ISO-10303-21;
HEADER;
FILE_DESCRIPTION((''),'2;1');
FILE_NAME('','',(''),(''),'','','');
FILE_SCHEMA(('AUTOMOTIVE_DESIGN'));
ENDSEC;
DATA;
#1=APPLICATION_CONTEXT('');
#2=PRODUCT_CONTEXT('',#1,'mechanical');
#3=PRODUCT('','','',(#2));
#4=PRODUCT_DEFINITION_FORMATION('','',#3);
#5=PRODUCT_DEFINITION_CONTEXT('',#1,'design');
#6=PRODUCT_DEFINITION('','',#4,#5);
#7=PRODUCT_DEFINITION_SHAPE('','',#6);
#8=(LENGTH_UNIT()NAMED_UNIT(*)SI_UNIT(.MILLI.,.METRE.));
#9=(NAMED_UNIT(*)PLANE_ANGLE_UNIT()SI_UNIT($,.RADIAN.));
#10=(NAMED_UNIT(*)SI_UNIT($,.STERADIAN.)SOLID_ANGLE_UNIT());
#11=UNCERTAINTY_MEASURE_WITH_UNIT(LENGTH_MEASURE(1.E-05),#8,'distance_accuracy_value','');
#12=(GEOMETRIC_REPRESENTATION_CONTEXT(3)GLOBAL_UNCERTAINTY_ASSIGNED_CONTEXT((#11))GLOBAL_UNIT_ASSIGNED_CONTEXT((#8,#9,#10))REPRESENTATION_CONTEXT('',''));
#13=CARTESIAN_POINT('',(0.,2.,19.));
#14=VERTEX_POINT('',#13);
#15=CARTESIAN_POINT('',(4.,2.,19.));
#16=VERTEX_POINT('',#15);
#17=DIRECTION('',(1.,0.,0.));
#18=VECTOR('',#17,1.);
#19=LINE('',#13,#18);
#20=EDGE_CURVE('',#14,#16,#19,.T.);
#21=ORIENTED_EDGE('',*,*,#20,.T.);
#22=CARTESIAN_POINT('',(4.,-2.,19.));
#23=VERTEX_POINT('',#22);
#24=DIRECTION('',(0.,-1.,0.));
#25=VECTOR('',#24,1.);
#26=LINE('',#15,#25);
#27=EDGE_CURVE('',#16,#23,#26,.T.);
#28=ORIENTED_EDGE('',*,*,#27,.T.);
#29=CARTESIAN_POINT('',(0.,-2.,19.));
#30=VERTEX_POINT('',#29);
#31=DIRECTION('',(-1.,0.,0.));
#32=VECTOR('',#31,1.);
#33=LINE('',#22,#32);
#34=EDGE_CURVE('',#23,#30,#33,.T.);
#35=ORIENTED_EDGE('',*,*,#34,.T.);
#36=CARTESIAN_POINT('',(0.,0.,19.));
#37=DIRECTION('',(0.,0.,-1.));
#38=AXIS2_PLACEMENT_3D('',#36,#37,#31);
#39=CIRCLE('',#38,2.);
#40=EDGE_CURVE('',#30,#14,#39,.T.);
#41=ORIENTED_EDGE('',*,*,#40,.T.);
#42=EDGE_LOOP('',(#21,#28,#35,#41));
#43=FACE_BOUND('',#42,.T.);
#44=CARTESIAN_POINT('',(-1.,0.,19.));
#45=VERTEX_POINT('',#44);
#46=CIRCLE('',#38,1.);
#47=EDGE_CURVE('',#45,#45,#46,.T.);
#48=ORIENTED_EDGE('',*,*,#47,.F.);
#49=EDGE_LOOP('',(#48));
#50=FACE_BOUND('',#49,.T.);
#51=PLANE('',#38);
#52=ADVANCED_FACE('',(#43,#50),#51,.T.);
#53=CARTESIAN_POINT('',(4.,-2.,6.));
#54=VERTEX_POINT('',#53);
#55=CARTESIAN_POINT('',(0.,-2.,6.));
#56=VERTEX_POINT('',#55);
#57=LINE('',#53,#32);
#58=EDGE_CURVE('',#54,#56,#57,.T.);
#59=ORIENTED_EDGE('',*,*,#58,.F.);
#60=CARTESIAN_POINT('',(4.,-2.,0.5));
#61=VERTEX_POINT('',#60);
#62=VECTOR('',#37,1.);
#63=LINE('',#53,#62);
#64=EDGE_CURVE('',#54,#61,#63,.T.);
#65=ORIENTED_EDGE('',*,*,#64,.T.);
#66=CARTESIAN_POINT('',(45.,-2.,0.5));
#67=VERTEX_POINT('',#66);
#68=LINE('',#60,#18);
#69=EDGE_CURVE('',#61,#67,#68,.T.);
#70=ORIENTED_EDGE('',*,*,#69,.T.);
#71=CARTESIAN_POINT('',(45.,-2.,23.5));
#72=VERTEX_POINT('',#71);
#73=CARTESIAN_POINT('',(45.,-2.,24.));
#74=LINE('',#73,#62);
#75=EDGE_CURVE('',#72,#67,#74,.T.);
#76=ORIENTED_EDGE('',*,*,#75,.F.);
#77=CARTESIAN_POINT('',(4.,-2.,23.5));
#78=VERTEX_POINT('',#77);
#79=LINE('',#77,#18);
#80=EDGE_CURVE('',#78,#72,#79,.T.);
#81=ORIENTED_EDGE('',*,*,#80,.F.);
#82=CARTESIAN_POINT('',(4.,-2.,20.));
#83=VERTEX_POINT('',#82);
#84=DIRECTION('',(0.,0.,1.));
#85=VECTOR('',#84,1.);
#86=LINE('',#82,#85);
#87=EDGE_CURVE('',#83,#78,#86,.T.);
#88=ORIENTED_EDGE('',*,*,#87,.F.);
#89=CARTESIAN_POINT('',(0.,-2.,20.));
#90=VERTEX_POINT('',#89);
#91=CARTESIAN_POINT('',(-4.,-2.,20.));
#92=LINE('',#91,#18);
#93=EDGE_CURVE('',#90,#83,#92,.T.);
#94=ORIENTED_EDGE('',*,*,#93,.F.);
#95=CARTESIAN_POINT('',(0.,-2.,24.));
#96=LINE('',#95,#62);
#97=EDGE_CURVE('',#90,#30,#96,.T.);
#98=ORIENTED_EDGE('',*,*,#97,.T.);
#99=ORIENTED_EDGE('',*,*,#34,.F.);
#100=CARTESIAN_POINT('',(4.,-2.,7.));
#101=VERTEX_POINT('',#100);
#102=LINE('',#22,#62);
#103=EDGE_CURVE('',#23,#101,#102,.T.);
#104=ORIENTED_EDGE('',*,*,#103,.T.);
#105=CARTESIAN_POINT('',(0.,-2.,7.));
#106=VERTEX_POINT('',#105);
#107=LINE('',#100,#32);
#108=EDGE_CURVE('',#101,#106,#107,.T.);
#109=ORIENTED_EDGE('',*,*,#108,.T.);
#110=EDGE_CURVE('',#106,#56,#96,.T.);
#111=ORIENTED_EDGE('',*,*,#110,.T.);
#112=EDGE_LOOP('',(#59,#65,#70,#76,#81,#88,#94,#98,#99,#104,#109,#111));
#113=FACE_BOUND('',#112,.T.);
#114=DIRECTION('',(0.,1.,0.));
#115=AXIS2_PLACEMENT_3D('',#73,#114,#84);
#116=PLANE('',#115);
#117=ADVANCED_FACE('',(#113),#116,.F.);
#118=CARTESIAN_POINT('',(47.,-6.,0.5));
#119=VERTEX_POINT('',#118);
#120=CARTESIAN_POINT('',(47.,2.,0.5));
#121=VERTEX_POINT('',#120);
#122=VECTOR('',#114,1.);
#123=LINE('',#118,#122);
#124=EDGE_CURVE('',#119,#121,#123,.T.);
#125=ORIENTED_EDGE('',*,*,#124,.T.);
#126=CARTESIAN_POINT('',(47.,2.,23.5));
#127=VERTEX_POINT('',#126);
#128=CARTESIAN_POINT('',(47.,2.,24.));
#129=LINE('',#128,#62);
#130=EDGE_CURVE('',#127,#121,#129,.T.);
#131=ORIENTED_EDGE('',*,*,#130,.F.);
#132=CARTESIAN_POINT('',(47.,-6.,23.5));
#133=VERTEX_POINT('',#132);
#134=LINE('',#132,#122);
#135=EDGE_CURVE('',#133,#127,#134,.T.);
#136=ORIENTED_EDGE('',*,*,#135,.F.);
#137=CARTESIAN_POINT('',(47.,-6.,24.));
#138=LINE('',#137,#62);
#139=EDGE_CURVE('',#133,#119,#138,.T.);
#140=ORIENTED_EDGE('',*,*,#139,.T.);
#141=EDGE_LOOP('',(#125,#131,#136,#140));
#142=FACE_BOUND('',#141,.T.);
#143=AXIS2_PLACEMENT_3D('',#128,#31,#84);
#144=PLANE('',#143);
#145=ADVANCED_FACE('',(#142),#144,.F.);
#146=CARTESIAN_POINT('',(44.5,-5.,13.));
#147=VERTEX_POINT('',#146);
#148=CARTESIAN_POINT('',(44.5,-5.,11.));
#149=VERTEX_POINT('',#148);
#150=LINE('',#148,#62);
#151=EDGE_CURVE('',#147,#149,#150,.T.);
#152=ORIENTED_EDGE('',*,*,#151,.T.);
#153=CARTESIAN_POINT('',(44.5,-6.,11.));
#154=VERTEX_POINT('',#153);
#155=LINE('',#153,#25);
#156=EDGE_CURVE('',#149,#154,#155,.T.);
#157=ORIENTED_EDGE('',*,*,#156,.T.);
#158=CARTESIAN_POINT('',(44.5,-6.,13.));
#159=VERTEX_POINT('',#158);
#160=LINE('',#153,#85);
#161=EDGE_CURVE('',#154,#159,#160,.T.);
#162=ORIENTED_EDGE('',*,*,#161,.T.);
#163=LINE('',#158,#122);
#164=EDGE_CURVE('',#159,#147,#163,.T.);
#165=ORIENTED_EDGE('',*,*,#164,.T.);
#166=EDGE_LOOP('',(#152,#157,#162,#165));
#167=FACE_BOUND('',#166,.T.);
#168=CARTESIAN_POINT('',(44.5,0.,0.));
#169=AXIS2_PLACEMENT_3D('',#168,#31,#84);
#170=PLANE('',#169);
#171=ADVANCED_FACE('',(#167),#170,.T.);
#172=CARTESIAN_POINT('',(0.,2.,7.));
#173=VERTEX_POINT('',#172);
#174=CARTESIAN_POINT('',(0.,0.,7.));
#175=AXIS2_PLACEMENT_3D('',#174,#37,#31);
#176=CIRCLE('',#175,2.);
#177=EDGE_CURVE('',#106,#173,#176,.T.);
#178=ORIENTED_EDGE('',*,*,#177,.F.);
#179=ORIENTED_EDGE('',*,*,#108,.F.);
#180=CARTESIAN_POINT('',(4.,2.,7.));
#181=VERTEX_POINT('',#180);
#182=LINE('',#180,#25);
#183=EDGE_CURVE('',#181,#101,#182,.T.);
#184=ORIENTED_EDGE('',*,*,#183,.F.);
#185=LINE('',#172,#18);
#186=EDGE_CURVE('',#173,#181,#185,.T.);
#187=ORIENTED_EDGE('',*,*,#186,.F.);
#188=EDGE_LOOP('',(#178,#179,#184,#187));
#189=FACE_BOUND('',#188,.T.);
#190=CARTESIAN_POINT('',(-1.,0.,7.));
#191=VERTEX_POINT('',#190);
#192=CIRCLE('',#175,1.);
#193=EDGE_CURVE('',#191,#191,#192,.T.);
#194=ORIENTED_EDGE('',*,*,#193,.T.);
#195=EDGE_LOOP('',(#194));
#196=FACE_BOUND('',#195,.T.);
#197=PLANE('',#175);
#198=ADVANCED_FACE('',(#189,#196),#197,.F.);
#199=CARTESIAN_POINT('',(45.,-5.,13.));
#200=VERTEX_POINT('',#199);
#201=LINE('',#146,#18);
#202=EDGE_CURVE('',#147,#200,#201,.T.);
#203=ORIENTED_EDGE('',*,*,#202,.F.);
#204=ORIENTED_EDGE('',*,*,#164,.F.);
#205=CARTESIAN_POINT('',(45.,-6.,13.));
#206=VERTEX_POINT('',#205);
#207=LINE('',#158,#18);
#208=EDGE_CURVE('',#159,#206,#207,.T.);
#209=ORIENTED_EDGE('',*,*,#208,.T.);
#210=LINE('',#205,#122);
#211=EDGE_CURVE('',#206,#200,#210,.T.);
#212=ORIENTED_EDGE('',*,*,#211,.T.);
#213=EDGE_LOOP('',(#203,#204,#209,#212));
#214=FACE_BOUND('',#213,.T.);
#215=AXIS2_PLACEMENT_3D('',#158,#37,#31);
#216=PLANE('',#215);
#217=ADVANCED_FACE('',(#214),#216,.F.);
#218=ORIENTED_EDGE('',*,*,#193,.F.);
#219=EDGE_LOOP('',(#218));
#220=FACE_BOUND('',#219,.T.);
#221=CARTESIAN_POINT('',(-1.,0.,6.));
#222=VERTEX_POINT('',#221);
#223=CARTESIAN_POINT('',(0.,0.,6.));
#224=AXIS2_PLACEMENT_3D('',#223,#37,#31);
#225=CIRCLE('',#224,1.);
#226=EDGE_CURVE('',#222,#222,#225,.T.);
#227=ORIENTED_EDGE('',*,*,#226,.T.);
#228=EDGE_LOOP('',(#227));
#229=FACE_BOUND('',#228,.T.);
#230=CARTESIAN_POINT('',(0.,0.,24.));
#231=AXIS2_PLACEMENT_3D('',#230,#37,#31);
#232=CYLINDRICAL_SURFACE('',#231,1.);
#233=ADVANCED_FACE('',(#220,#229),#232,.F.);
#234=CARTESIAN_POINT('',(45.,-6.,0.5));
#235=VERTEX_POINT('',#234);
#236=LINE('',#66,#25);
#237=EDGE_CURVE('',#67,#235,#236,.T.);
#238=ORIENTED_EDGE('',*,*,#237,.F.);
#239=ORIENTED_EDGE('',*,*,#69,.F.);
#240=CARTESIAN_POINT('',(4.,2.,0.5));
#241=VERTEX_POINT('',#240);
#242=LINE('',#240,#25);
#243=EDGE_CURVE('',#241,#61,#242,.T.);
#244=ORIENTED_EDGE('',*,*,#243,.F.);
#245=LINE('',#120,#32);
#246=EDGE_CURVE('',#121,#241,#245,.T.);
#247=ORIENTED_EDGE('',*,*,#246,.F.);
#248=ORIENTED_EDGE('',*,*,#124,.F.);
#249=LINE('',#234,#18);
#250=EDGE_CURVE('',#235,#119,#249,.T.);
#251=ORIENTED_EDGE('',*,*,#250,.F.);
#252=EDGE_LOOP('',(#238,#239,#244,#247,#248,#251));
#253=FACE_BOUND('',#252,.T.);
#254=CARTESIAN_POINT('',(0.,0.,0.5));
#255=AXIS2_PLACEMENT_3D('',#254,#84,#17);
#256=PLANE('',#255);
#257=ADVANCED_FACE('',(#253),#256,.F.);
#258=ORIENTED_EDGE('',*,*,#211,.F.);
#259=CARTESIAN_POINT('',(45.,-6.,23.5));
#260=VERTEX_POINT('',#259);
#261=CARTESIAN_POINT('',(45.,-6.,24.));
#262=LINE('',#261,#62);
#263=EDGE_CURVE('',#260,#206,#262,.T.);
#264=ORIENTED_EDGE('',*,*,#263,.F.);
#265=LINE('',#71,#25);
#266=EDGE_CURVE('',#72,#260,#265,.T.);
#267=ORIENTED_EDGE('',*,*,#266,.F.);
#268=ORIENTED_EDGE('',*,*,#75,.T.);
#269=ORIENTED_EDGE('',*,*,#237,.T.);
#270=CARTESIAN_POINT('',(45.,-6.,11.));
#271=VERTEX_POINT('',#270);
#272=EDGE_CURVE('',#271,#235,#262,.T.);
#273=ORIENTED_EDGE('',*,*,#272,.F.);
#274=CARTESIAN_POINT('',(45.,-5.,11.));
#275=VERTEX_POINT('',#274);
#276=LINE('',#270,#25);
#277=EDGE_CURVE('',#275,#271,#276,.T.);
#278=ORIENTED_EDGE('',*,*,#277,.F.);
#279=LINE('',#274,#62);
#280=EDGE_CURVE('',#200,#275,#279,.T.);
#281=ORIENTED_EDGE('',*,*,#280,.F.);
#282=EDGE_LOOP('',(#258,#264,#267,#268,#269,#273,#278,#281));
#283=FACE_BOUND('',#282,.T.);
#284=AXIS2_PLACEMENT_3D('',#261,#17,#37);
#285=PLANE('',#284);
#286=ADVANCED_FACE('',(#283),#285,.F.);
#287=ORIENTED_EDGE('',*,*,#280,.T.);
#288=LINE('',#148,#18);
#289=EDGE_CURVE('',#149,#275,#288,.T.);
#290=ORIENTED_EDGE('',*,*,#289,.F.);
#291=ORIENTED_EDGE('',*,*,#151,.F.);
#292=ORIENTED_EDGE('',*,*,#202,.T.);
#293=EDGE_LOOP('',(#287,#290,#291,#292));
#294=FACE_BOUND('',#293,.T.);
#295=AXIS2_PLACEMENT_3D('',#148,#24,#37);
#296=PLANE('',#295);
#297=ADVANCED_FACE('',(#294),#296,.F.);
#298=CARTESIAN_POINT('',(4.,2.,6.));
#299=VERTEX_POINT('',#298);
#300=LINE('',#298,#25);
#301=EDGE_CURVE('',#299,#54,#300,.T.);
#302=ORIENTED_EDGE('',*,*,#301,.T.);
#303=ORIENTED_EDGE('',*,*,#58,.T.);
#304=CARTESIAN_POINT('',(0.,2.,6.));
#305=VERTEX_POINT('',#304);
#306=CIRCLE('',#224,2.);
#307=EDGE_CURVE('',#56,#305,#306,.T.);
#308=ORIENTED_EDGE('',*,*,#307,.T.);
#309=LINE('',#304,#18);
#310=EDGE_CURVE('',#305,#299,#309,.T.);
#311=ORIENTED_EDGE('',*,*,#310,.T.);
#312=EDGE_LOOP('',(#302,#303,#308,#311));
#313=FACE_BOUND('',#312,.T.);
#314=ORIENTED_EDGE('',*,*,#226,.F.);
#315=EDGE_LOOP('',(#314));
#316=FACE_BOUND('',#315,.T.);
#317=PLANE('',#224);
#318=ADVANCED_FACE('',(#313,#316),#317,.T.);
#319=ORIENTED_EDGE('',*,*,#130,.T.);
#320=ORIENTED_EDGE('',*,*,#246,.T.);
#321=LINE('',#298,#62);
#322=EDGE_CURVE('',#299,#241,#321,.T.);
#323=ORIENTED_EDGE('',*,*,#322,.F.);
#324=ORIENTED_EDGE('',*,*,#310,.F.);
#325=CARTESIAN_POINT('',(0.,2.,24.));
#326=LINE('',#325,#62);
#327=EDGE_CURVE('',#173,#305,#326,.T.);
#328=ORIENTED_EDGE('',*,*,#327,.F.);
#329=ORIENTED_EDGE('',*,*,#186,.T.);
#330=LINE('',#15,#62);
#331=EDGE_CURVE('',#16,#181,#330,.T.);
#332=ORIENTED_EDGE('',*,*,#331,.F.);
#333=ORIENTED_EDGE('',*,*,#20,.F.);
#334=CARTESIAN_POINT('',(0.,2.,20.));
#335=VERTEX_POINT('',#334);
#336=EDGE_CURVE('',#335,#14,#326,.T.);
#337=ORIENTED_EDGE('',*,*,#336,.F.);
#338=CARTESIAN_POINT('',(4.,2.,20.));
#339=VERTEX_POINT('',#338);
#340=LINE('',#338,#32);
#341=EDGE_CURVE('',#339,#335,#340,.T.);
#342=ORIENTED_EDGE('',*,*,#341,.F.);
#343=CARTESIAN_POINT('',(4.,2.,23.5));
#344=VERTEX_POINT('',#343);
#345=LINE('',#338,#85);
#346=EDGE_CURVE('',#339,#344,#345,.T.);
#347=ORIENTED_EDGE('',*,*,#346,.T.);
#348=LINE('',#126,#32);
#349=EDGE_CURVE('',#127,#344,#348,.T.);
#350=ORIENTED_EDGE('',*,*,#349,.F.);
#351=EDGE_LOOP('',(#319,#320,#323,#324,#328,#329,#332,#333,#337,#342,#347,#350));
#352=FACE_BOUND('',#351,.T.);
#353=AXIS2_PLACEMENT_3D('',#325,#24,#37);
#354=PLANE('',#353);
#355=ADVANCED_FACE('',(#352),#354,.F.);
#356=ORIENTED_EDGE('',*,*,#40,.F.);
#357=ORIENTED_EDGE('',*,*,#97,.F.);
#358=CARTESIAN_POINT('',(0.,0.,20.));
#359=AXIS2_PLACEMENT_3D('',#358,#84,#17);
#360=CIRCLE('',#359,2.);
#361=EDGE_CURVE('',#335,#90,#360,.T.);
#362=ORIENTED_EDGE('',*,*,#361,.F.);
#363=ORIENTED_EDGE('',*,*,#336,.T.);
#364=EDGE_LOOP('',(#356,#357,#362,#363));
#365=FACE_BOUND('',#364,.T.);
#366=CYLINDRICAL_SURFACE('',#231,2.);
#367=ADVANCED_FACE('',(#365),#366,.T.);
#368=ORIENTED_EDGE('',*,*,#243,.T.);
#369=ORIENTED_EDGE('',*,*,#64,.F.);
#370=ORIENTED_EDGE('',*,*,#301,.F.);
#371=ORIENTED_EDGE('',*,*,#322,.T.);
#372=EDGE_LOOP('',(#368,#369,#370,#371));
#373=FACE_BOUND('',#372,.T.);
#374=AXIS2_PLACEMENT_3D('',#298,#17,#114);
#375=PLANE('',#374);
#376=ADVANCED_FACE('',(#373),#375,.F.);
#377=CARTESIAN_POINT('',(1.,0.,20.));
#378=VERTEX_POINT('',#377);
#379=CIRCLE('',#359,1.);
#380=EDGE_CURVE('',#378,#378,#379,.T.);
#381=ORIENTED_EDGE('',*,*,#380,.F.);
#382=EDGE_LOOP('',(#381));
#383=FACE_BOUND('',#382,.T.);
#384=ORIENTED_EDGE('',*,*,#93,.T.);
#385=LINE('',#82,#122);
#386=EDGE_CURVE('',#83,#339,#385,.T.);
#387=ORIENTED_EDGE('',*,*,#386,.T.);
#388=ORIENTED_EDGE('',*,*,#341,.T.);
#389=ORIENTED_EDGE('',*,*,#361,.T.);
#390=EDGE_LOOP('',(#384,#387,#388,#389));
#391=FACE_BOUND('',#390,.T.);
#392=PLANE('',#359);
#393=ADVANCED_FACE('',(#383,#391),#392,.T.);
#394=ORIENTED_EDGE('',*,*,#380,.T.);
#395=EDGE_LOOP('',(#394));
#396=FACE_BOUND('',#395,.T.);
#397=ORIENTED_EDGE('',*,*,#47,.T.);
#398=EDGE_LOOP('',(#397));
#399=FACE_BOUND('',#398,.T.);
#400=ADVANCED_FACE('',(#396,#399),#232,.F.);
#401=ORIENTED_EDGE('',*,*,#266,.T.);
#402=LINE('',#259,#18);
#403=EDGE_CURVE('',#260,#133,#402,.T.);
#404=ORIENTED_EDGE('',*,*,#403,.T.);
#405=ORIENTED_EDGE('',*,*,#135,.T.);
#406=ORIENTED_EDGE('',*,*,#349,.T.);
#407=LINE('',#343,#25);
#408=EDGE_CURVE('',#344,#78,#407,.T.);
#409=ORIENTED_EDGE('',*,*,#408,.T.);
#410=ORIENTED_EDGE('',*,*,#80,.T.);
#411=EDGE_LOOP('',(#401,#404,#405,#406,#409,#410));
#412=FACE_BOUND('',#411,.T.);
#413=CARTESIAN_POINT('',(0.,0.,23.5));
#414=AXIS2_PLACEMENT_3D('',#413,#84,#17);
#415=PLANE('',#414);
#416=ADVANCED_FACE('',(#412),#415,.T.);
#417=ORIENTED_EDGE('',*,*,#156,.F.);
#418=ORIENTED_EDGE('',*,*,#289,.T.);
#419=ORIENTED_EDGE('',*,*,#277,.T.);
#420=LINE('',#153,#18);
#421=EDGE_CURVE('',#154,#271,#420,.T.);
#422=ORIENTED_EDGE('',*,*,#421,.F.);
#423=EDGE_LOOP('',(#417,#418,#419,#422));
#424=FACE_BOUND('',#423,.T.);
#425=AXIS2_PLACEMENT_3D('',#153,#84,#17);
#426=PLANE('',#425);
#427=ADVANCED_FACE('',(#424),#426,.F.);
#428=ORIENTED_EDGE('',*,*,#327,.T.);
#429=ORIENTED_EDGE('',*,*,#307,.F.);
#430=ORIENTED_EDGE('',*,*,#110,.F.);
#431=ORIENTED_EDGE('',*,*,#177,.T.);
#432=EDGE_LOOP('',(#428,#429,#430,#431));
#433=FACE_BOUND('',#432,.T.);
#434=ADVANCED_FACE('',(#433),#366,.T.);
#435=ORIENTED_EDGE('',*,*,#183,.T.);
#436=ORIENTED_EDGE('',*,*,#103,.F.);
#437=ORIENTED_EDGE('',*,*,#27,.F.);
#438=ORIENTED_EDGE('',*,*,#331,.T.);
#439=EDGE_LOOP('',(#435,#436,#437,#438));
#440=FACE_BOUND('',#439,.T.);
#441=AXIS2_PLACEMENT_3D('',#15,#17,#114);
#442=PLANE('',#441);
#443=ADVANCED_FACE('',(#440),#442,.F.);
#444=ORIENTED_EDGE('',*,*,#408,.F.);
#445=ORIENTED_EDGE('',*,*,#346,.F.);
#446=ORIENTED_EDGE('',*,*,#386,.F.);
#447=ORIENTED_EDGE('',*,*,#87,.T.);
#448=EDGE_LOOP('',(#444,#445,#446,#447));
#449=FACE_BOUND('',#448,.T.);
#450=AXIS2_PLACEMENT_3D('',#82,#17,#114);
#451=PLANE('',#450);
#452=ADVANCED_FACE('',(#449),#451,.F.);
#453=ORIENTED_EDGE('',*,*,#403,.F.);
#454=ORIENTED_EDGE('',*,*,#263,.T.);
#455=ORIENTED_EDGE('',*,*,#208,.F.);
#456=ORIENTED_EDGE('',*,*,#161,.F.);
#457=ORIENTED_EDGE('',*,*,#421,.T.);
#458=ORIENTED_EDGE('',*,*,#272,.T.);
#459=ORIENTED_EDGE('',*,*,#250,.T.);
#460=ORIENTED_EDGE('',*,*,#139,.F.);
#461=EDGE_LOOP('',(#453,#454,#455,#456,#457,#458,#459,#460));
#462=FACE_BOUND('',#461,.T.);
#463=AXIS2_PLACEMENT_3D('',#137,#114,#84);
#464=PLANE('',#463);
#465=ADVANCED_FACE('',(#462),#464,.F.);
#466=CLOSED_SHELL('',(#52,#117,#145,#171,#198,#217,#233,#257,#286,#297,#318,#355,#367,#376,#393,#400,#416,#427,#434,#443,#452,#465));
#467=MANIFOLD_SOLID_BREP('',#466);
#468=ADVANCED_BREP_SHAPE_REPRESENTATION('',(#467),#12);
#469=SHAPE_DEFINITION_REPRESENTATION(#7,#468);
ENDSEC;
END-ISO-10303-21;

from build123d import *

# Parameters (mm, degrees)
SKETCH_1_R           = 1
EXTRUDE_1_DEPTH      = 24
SKETCH_2_W           = 8
SKETCH_2_H           = 4
CUT_EXTRUDE_2_DEPTH  = 4
CUT_EXTRUDE_3_DEPTH  = 6
CUT_EXTRUDE_START    = -7
CUT_EXTRUDE_4_DEPTH  = 12
SKETCH_4_W           = 2
SKETCH_4_H           = 1
EXTRUDE_2_DEPTH      = 0.5
CUT_EXTRUDE_21_DEPTH = 0.5
CUT_EXTRUDE_22_DEPTH = 0.5


with BuildPart() as part:
    # 草图1 → 凸台-拉伸1 (new body)
    with BuildSketch(Plane.XY):
        with BuildLine():
            Line((0, 2), (47, 2))
            Line((47, 2), (47, -6))
            Line((47, -6), (45, -6))
            Line((45, -6), (45, -2))
            Line((45, -2), (0, -2))
            ThreePointArc((0, -2), (-2, 0), (0, 2))
        make_face()
        Circle(SKETCH_1_R, mode=Mode.SUBTRACT)
    extrude(amount=EXTRUDE_1_DEPTH)

    # 草图2 → 切除-拉伸2 (cut)
    with BuildSketch(Plane.XY.offset(24)):
        Rectangle(SKETCH_2_W, SKETCH_2_H)
    extrude(amount=-CUT_EXTRUDE_2_DEPTH, mode=Mode.SUBTRACT)

    # 草图3 → 切除-拉伸3 (cut)
    with BuildSketch(Plane(origin=(0, 0, 0), x_dir=(-1, 0, 0), z_dir=(0, 0, -1))):
        with BuildLine():
            Line((0, 2), (-4, 2))
            Line((-4, 2), (-4, -2))
            Line((-4, -2), (0, -2))
            ThreePointArc((0, -2), (2, 0), (0, 2))
        make_face()
    extrude(amount=-CUT_EXTRUDE_3_DEPTH, mode=Mode.SUBTRACT)

    # 草图3<2> → 切除-拉伸4 (cut)
    with BuildSketch(Plane(origin=(0, 0, 0), x_dir=(-1, 0, 0), z_dir=(0, 0, -1)).offset(CUT_EXTRUDE_START)):
        with BuildLine():
            ThreePointArc((0, -2), (2, 0), (0, 2))
            Line((0, 2), (-4, 2))
            Line((-4, 2), (-4, -2))
            Line((-4, -2), (0, -2))
        make_face()
    extrude(amount=-CUT_EXTRUDE_4_DEPTH, mode=Mode.SUBTRACT)

    # 草图4 → 凸台-拉伸2 (add)
    with BuildSketch(Plane.ZY.offset(-45)):
        with Locations((12, -5.5)):
            Rectangle(SKETCH_4_W, SKETCH_4_H)
    extrude(amount=EXTRUDE_2_DEPTH)

    # 草图5 → 切除-拉伸21 (cut)
    with BuildSketch(Plane.XY):
        Polygon((4, 2), (4, -2), (45, -2), (45, -6), (47, -6), (47, 2), align=None)
    extrude(amount=CUT_EXTRUDE_21_DEPTH, mode=Mode.SUBTRACT)

    # 草图6 → 切除-拉伸22 (cut)
    with BuildSketch(Plane.XY.offset(24)):
        Polygon((4, -2), (45, -2), (45, -6), (47, -6), (47, 2), (4, 2), align=None)
    extrude(amount=-CUT_EXTRUDE_22_DEPTH, mode=Mode.SUBTRACT)


solid = part.part
